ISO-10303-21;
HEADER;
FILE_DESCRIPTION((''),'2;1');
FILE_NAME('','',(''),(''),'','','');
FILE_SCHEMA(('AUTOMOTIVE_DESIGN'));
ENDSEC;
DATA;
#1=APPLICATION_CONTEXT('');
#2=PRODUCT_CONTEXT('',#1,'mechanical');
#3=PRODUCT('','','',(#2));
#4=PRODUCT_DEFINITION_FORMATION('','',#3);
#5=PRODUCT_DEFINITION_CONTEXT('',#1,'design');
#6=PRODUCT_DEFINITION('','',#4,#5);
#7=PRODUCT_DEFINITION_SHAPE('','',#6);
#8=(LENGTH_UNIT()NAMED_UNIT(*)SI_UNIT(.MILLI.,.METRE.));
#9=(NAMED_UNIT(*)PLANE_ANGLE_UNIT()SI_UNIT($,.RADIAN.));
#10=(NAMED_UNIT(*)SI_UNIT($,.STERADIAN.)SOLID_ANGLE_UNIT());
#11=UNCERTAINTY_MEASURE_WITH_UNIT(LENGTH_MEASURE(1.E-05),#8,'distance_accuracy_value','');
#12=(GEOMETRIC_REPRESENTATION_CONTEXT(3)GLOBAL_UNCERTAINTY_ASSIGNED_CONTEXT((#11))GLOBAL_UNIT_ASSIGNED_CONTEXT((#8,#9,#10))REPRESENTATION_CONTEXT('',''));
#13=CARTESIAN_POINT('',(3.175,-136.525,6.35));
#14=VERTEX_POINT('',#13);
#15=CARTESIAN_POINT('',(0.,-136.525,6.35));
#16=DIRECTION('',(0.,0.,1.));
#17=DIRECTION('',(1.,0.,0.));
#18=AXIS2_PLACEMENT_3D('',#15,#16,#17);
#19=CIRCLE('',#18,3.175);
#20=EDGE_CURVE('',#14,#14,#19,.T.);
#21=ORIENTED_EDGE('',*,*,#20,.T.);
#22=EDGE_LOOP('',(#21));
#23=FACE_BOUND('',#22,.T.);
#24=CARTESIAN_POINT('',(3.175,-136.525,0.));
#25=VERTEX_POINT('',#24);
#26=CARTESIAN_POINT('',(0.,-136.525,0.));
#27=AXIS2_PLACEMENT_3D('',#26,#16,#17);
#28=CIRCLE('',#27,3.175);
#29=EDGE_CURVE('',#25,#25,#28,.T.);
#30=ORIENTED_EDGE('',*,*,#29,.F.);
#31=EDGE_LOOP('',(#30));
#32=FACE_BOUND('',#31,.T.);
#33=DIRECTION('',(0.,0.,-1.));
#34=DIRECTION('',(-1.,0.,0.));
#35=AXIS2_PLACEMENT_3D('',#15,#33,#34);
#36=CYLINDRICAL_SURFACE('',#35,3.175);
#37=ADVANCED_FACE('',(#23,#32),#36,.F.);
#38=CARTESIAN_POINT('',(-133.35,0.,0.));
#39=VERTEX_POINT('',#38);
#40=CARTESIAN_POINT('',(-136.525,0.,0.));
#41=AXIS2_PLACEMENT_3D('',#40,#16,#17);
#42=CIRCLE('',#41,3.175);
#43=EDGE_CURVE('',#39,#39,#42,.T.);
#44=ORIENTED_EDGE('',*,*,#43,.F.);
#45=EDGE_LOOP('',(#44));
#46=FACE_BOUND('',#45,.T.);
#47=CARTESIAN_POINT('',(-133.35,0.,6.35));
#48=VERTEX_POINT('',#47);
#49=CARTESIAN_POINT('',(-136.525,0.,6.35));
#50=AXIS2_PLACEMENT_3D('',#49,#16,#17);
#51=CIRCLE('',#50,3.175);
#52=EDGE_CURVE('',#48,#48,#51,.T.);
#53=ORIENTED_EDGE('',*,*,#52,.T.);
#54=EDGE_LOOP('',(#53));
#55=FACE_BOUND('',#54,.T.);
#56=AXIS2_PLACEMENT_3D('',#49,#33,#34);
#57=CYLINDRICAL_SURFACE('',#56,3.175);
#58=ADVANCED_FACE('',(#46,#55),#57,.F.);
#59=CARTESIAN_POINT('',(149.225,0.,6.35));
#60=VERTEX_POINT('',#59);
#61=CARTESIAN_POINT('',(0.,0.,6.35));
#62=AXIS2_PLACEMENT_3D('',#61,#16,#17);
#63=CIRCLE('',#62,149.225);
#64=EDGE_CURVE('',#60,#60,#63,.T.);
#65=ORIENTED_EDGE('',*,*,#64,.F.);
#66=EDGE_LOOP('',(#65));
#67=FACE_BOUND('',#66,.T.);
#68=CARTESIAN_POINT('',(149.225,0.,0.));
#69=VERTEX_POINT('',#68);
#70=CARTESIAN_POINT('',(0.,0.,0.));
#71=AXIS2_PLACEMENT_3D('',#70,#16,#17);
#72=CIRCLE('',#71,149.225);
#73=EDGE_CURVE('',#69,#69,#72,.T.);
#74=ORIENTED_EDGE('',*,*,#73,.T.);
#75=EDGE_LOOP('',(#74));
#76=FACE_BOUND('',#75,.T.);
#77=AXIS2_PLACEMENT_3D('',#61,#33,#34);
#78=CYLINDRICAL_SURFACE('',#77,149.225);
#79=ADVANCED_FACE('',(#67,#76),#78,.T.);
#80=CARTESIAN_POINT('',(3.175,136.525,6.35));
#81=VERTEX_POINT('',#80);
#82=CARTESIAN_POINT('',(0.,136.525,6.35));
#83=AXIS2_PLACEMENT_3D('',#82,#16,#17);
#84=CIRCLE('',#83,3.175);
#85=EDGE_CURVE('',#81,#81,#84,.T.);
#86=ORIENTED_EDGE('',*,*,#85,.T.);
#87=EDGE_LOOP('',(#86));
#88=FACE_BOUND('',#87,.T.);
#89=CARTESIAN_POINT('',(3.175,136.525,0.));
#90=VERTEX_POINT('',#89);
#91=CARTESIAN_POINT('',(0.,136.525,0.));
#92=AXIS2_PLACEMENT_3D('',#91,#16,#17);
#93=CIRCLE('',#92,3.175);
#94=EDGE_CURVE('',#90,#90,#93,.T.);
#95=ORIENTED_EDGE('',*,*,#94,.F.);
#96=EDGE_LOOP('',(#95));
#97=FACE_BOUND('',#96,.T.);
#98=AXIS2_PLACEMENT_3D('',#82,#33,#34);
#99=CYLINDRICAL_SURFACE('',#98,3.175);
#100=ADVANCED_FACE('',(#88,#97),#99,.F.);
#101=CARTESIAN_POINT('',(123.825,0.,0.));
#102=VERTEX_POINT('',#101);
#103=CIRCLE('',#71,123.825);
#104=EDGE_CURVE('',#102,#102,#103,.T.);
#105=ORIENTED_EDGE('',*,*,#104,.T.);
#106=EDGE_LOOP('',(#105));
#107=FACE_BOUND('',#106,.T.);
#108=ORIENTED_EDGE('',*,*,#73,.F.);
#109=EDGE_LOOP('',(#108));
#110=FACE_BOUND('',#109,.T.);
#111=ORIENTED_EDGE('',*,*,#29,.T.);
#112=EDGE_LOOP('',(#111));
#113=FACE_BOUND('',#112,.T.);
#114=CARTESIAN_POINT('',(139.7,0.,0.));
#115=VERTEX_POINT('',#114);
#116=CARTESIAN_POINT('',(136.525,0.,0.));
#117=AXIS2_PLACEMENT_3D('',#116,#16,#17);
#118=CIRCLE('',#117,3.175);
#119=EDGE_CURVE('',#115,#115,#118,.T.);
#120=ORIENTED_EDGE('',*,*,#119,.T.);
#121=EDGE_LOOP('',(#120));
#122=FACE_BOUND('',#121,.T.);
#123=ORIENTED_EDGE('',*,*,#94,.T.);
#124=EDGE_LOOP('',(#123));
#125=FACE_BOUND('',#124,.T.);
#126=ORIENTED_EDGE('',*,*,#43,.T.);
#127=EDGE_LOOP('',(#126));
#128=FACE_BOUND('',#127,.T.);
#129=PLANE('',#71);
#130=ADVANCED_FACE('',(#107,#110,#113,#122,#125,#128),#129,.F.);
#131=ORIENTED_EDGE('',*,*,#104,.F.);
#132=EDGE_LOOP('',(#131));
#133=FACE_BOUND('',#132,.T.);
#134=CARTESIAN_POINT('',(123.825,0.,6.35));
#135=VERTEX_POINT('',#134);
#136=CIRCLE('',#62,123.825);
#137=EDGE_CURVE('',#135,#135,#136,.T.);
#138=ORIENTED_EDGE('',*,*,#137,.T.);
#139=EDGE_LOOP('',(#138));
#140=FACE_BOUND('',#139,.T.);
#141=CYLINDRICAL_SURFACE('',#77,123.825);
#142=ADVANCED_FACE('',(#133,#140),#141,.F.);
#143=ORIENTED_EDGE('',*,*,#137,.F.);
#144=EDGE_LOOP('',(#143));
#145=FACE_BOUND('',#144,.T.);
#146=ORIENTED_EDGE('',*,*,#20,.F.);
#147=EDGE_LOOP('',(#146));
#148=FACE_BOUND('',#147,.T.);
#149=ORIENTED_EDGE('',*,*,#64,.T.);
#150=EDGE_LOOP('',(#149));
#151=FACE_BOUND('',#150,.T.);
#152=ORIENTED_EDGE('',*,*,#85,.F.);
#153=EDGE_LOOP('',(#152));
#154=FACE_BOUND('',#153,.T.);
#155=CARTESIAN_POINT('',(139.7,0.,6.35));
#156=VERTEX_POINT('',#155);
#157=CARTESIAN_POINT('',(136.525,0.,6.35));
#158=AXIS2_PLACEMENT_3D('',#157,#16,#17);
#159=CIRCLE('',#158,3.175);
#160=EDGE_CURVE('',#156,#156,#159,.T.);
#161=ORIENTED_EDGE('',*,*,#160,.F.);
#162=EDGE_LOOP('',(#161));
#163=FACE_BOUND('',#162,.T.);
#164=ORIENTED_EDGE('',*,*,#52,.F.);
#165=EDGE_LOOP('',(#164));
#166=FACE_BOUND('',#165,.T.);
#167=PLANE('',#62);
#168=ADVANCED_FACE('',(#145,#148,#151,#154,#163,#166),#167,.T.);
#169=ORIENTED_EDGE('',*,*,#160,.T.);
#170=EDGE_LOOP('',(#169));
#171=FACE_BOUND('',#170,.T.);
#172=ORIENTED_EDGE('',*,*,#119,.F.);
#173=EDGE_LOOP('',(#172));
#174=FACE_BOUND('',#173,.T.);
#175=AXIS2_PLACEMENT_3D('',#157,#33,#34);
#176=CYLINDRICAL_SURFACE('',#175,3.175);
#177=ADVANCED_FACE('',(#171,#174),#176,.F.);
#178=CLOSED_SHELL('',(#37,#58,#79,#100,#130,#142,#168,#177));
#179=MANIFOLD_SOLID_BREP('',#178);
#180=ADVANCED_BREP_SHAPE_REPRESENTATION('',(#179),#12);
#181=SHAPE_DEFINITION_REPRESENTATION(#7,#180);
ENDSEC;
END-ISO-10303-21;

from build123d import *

# Parameters (mm, degrees)
SKETCH1_R           = 149.225
SKETCH1_R_2         = 123.825
SKETCH1_R_3         = 3.175
BOSS_EXTRUDE1_DEPTH = 6.35


with BuildPart() as part:
    # Sketch1 → Boss-Extrude1 (new body)
    with BuildSketch(Plane.XY):
        Circle(SKETCH1_R)
        Circle(SKETCH1_R_2, mode=Mode.SUBTRACT)
        with Locations((0, 136.525)):
            Circle(SKETCH1_R_3, mode=Mode.SUBTRACT)
        with Locations((136.525, 0)):
            Circle(SKETCH1_R_3, mode=Mode.SUBTRACT)
        with Locations((0, -136.525)):
            Circle(SKETCH1_R_3, mode=Mode.SUBTRACT)
        with Locations((-136.525, 0)):
            Circle(SKETCH1_R_3, mode=Mode.SUBTRACT)
    extrude(amount=BOSS_EXTRUDE1_DEPTH)


solid = part.part
